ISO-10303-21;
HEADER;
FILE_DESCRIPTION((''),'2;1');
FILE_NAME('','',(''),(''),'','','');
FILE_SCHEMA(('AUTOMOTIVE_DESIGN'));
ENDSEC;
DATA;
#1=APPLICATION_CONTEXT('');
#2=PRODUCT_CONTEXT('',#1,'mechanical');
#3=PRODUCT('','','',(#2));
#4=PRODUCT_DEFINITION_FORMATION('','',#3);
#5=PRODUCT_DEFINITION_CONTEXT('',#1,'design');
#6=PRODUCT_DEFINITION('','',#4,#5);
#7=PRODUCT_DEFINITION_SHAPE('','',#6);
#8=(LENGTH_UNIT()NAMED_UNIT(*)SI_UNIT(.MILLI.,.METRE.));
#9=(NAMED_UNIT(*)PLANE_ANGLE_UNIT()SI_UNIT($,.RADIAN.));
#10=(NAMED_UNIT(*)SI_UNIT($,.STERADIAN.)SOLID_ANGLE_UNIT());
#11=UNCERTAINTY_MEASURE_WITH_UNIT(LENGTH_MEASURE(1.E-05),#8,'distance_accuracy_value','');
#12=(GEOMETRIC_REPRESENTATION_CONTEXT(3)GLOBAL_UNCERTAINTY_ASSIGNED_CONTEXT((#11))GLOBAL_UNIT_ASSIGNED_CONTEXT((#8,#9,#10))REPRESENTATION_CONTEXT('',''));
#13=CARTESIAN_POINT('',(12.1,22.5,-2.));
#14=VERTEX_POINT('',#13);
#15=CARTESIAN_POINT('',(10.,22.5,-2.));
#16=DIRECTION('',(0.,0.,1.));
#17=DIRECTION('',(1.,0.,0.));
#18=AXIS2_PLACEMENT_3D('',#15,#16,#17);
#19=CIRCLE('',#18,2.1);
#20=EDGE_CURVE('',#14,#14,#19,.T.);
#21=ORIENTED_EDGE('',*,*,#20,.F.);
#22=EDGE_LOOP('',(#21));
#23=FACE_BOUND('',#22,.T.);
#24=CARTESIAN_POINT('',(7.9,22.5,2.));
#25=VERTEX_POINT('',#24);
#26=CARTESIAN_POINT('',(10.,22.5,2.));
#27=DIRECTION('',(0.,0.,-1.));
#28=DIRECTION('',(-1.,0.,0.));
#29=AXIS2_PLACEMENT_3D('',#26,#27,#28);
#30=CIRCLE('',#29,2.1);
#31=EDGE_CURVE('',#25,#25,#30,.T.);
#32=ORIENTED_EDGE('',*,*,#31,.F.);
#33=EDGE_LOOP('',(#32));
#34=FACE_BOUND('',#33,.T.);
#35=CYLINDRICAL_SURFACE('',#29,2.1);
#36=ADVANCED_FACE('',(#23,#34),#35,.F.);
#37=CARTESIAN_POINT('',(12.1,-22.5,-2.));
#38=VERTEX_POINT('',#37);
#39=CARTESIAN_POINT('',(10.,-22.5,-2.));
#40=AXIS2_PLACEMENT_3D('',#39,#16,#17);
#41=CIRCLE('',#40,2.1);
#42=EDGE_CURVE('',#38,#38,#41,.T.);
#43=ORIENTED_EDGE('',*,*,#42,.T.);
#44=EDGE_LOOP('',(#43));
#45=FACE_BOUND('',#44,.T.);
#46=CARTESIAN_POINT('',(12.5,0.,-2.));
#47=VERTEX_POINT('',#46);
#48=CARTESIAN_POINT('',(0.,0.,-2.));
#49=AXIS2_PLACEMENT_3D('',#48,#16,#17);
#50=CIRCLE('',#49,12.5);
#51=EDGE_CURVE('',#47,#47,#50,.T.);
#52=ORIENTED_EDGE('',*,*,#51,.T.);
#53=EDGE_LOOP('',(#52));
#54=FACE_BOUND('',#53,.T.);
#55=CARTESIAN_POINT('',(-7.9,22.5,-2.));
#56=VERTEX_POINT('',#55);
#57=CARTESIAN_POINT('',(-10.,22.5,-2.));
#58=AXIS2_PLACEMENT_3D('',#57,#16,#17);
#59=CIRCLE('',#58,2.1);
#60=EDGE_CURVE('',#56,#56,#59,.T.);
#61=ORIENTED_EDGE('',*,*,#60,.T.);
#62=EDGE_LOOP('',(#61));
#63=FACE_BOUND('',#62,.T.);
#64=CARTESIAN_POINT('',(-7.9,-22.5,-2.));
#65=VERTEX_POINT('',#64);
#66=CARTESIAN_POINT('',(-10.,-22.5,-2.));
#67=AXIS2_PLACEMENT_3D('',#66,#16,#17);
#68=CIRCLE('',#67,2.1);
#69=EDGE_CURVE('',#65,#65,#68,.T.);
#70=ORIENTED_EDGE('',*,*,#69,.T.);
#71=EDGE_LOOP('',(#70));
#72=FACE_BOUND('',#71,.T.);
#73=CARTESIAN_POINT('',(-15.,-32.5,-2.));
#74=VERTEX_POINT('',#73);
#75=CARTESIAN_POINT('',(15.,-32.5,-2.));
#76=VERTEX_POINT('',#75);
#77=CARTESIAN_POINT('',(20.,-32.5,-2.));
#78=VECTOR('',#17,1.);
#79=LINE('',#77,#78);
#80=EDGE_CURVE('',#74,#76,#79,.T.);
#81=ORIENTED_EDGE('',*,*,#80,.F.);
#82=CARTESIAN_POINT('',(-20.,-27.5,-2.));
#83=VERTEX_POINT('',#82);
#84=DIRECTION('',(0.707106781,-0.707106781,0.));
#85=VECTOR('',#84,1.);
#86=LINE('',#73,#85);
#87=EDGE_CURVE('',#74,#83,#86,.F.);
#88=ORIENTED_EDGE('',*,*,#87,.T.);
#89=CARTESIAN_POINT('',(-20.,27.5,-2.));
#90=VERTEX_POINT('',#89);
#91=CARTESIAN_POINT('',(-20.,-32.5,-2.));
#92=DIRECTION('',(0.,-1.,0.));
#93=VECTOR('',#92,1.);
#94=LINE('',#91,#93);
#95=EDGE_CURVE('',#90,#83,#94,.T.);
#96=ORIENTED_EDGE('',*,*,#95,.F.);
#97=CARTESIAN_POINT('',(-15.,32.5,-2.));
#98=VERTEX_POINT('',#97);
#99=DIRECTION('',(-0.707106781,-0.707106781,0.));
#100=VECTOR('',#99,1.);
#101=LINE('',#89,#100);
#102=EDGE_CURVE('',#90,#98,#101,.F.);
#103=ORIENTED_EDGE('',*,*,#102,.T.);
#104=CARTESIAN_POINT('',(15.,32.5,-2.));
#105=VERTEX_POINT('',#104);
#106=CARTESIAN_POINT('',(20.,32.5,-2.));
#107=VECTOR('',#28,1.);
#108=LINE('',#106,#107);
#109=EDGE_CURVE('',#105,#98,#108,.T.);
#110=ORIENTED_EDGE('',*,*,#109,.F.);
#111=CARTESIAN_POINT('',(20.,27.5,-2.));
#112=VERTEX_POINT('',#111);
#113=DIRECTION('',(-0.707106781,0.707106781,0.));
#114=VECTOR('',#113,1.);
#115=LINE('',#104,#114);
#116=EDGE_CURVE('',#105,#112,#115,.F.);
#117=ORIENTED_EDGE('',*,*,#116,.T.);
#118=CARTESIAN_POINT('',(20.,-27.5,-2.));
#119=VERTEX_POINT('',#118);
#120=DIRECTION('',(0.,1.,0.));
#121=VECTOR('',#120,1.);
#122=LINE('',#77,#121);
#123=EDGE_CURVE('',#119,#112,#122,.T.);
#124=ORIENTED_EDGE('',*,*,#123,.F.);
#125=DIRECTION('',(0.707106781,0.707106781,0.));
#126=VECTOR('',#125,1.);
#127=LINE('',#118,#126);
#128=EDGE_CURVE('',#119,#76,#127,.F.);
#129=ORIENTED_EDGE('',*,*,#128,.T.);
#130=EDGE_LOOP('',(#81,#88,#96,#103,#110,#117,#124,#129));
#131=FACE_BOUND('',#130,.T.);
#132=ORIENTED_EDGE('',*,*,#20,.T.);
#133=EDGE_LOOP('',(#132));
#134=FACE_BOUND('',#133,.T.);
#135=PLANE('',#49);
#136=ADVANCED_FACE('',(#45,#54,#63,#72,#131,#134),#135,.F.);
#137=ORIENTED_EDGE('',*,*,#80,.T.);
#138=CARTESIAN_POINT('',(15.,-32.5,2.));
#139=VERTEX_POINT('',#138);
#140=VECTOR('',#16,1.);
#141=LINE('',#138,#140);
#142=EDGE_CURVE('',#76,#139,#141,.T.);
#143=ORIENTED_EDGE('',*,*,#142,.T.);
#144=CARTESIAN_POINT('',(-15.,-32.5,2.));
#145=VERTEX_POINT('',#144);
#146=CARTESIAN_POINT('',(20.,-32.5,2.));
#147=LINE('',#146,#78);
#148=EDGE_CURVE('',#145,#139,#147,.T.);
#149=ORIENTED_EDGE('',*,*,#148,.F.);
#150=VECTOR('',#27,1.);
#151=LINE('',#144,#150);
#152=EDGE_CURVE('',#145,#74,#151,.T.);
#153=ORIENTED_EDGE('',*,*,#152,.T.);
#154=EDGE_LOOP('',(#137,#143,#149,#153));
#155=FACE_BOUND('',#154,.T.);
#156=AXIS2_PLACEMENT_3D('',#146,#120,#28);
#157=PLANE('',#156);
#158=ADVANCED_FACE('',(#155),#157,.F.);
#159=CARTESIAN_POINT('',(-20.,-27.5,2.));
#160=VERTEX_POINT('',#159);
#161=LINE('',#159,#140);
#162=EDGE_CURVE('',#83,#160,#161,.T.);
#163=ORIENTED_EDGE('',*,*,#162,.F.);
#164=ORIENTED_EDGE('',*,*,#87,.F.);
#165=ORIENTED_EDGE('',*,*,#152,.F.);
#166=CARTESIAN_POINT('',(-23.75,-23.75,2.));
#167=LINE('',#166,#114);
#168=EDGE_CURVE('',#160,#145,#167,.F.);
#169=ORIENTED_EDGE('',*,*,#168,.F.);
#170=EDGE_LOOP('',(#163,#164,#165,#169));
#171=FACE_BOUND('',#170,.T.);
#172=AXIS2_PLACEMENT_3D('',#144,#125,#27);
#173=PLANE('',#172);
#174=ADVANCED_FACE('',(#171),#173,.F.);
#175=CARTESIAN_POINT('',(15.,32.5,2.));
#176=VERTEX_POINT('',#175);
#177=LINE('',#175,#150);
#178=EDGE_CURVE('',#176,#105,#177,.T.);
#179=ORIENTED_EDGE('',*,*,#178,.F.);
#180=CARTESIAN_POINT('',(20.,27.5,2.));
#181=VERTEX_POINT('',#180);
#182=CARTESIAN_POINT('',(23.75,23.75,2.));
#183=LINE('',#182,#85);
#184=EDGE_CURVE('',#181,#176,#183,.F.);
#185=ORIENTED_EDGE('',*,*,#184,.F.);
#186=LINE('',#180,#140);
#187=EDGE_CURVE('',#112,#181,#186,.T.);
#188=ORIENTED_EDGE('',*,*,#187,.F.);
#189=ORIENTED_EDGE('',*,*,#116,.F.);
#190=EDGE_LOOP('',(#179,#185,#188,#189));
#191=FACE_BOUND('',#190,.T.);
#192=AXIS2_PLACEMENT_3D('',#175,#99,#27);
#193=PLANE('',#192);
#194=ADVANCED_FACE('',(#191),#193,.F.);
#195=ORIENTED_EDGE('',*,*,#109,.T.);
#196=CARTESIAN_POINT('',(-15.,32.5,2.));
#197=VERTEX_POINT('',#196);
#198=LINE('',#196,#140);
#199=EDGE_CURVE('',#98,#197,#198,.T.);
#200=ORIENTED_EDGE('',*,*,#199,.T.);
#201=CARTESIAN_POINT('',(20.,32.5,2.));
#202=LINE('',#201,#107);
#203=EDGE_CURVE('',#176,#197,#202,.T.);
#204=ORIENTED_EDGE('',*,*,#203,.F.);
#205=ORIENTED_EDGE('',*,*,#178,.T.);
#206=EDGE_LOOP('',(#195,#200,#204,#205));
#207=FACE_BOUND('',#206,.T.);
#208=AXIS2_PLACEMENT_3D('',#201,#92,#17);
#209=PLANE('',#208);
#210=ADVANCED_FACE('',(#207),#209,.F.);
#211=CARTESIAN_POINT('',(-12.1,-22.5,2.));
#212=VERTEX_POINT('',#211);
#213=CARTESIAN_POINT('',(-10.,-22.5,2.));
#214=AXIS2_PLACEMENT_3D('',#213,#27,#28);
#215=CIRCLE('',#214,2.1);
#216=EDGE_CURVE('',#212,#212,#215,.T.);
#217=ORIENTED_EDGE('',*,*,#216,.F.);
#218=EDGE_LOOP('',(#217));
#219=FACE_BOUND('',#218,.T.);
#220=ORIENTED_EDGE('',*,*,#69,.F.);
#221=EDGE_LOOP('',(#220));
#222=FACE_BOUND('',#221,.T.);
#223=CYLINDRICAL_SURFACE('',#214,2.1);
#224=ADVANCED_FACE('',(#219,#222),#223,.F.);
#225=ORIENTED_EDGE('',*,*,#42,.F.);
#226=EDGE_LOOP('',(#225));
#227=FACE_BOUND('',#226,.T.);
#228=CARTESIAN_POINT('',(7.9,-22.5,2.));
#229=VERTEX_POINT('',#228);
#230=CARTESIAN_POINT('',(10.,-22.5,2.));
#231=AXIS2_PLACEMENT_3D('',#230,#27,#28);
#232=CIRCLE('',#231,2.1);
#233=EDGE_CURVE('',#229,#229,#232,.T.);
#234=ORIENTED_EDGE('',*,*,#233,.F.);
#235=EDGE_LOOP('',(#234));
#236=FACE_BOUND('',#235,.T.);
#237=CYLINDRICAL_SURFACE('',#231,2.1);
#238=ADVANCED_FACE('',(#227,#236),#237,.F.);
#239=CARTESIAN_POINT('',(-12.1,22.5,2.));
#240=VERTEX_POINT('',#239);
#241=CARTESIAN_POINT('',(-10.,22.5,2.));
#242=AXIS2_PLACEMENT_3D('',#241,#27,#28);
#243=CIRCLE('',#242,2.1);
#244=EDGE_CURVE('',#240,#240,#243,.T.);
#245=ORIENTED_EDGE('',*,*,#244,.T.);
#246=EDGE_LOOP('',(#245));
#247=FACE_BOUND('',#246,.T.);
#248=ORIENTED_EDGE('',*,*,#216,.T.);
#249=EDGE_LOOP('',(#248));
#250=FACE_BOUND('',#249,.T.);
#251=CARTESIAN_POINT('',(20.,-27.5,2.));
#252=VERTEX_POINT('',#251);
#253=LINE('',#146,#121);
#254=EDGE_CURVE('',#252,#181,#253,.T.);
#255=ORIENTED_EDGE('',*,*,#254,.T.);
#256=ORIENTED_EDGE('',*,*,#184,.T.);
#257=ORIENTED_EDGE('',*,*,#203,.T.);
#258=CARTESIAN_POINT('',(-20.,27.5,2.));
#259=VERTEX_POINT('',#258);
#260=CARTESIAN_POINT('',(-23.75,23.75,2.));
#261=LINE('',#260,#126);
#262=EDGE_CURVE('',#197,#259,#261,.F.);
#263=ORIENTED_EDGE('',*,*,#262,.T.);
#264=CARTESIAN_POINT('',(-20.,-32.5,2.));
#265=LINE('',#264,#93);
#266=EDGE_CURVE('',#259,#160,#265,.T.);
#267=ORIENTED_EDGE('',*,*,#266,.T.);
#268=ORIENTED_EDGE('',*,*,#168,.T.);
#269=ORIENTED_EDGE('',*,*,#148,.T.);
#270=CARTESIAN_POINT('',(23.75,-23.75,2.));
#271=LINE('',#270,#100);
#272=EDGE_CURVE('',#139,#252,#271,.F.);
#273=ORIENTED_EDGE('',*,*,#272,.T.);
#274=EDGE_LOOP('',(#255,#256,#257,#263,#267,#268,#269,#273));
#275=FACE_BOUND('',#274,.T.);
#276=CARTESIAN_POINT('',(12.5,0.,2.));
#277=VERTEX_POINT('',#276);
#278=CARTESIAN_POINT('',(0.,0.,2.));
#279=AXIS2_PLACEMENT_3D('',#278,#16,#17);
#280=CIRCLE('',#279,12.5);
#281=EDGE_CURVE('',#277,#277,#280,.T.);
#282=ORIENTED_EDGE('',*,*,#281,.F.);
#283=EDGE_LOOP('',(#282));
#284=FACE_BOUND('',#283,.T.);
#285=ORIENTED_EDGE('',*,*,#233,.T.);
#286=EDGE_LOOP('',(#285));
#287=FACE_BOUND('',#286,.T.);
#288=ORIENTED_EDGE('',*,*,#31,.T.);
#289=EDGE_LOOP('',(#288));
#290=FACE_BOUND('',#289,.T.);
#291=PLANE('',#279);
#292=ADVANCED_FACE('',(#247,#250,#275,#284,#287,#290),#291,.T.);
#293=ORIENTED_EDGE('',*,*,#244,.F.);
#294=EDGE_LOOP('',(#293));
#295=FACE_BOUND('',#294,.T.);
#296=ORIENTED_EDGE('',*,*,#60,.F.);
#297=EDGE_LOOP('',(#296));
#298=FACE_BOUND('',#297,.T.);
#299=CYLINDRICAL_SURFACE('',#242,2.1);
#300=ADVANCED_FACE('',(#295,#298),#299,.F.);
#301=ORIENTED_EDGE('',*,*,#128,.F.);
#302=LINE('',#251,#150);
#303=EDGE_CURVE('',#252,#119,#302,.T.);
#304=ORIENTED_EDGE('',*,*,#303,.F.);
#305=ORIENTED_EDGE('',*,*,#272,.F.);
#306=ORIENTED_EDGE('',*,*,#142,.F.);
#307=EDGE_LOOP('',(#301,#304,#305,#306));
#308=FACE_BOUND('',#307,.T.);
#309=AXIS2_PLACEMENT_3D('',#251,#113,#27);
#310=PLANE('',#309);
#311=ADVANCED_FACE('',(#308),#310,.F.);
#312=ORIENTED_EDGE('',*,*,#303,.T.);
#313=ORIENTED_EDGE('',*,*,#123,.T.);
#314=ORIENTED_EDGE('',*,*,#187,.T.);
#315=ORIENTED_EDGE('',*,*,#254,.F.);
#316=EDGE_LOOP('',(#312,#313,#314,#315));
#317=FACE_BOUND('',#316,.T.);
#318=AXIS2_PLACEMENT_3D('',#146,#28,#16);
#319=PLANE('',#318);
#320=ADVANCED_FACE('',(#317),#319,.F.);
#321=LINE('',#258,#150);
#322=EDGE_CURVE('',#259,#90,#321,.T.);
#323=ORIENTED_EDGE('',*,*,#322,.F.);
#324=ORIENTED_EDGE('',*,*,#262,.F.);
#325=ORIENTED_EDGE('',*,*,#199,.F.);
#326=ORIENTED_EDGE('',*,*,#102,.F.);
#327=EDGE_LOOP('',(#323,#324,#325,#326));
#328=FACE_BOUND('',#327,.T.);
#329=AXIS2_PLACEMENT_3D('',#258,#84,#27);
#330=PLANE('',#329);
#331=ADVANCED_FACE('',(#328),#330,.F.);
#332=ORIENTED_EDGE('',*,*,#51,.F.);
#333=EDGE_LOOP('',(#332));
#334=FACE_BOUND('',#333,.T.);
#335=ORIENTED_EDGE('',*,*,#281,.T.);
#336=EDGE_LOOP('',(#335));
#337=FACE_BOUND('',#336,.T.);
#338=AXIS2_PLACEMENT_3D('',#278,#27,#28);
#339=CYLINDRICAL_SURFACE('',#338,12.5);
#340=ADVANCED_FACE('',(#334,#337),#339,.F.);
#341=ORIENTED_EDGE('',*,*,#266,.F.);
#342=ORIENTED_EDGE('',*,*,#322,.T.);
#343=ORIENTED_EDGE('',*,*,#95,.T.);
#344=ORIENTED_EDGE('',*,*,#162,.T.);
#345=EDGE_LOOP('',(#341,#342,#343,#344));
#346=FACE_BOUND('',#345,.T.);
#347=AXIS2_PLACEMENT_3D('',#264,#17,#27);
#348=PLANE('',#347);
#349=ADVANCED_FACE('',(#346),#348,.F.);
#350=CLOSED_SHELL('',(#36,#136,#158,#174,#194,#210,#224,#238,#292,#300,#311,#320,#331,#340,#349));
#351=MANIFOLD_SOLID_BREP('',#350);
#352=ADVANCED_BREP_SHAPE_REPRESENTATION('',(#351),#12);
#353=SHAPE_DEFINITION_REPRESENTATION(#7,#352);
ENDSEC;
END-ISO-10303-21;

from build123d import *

# Parameters (mm, degrees)
SKETCH_1_W               = 40
SKETCH_1_H               = 65
SKETCH_1_R               = 12.5
EXTRUDE_1_DEPTH          = 2
CUT_EXTRUDE_1_DEPTH      = 39.369910086
CUT_EXTRUDE_1_DEPTH_BACK = 39.369910086
SKETCH_2_R               = 2.1
CHAMFER_2_SIZE           = 5


with BuildPart() as part:
    # 草图1 → 凸台-拉伸1 (new, symmetric)
    with BuildSketch(Plane.XY):
        Rectangle(SKETCH_1_W, SKETCH_1_H)
        Circle(SKETCH_1_R, mode=Mode.SUBTRACT)
    extrude(amount=EXTRUDE_1_DEPTH, both=True)

    # 草图2 → 切除-拉伸1 (cut, two sides: drawn at the far end of the back side and taken through both)
    with BuildSketch(Plane(origin=(0, 0, -2), x_dir=(-1, 0, 0), z_dir=(0, 0, -1)).offset(-CUT_EXTRUDE_1_DEPTH_BACK)):
        with Locations((-10, 22.5)):
            Circle(SKETCH_2_R)
        with Locations((10, 22.5)):
            Circle(SKETCH_2_R)
        with Locations((10, -22.5)):
            Circle(SKETCH_2_R)
        with Locations((-10, -22.5)):
            Circle(SKETCH_2_R)
    extrude(amount=CUT_EXTRUDE_1_DEPTH + CUT_EXTRUDE_1_DEPTH_BACK, mode=Mode.SUBTRACT)

    # 倒角2
    chamfer_2_edges = [part.edges().sort_by_distance(p)[0] for p in [
        (-20, 32.5, 0),
        (20, 32.5, 0),
        (20, -32.5, 0),
        (-20, -32.5, 0),
    ]]
    chamfer(chamfer_2_edges, length=CHAMFER_2_SIZE)


solid = part.part
